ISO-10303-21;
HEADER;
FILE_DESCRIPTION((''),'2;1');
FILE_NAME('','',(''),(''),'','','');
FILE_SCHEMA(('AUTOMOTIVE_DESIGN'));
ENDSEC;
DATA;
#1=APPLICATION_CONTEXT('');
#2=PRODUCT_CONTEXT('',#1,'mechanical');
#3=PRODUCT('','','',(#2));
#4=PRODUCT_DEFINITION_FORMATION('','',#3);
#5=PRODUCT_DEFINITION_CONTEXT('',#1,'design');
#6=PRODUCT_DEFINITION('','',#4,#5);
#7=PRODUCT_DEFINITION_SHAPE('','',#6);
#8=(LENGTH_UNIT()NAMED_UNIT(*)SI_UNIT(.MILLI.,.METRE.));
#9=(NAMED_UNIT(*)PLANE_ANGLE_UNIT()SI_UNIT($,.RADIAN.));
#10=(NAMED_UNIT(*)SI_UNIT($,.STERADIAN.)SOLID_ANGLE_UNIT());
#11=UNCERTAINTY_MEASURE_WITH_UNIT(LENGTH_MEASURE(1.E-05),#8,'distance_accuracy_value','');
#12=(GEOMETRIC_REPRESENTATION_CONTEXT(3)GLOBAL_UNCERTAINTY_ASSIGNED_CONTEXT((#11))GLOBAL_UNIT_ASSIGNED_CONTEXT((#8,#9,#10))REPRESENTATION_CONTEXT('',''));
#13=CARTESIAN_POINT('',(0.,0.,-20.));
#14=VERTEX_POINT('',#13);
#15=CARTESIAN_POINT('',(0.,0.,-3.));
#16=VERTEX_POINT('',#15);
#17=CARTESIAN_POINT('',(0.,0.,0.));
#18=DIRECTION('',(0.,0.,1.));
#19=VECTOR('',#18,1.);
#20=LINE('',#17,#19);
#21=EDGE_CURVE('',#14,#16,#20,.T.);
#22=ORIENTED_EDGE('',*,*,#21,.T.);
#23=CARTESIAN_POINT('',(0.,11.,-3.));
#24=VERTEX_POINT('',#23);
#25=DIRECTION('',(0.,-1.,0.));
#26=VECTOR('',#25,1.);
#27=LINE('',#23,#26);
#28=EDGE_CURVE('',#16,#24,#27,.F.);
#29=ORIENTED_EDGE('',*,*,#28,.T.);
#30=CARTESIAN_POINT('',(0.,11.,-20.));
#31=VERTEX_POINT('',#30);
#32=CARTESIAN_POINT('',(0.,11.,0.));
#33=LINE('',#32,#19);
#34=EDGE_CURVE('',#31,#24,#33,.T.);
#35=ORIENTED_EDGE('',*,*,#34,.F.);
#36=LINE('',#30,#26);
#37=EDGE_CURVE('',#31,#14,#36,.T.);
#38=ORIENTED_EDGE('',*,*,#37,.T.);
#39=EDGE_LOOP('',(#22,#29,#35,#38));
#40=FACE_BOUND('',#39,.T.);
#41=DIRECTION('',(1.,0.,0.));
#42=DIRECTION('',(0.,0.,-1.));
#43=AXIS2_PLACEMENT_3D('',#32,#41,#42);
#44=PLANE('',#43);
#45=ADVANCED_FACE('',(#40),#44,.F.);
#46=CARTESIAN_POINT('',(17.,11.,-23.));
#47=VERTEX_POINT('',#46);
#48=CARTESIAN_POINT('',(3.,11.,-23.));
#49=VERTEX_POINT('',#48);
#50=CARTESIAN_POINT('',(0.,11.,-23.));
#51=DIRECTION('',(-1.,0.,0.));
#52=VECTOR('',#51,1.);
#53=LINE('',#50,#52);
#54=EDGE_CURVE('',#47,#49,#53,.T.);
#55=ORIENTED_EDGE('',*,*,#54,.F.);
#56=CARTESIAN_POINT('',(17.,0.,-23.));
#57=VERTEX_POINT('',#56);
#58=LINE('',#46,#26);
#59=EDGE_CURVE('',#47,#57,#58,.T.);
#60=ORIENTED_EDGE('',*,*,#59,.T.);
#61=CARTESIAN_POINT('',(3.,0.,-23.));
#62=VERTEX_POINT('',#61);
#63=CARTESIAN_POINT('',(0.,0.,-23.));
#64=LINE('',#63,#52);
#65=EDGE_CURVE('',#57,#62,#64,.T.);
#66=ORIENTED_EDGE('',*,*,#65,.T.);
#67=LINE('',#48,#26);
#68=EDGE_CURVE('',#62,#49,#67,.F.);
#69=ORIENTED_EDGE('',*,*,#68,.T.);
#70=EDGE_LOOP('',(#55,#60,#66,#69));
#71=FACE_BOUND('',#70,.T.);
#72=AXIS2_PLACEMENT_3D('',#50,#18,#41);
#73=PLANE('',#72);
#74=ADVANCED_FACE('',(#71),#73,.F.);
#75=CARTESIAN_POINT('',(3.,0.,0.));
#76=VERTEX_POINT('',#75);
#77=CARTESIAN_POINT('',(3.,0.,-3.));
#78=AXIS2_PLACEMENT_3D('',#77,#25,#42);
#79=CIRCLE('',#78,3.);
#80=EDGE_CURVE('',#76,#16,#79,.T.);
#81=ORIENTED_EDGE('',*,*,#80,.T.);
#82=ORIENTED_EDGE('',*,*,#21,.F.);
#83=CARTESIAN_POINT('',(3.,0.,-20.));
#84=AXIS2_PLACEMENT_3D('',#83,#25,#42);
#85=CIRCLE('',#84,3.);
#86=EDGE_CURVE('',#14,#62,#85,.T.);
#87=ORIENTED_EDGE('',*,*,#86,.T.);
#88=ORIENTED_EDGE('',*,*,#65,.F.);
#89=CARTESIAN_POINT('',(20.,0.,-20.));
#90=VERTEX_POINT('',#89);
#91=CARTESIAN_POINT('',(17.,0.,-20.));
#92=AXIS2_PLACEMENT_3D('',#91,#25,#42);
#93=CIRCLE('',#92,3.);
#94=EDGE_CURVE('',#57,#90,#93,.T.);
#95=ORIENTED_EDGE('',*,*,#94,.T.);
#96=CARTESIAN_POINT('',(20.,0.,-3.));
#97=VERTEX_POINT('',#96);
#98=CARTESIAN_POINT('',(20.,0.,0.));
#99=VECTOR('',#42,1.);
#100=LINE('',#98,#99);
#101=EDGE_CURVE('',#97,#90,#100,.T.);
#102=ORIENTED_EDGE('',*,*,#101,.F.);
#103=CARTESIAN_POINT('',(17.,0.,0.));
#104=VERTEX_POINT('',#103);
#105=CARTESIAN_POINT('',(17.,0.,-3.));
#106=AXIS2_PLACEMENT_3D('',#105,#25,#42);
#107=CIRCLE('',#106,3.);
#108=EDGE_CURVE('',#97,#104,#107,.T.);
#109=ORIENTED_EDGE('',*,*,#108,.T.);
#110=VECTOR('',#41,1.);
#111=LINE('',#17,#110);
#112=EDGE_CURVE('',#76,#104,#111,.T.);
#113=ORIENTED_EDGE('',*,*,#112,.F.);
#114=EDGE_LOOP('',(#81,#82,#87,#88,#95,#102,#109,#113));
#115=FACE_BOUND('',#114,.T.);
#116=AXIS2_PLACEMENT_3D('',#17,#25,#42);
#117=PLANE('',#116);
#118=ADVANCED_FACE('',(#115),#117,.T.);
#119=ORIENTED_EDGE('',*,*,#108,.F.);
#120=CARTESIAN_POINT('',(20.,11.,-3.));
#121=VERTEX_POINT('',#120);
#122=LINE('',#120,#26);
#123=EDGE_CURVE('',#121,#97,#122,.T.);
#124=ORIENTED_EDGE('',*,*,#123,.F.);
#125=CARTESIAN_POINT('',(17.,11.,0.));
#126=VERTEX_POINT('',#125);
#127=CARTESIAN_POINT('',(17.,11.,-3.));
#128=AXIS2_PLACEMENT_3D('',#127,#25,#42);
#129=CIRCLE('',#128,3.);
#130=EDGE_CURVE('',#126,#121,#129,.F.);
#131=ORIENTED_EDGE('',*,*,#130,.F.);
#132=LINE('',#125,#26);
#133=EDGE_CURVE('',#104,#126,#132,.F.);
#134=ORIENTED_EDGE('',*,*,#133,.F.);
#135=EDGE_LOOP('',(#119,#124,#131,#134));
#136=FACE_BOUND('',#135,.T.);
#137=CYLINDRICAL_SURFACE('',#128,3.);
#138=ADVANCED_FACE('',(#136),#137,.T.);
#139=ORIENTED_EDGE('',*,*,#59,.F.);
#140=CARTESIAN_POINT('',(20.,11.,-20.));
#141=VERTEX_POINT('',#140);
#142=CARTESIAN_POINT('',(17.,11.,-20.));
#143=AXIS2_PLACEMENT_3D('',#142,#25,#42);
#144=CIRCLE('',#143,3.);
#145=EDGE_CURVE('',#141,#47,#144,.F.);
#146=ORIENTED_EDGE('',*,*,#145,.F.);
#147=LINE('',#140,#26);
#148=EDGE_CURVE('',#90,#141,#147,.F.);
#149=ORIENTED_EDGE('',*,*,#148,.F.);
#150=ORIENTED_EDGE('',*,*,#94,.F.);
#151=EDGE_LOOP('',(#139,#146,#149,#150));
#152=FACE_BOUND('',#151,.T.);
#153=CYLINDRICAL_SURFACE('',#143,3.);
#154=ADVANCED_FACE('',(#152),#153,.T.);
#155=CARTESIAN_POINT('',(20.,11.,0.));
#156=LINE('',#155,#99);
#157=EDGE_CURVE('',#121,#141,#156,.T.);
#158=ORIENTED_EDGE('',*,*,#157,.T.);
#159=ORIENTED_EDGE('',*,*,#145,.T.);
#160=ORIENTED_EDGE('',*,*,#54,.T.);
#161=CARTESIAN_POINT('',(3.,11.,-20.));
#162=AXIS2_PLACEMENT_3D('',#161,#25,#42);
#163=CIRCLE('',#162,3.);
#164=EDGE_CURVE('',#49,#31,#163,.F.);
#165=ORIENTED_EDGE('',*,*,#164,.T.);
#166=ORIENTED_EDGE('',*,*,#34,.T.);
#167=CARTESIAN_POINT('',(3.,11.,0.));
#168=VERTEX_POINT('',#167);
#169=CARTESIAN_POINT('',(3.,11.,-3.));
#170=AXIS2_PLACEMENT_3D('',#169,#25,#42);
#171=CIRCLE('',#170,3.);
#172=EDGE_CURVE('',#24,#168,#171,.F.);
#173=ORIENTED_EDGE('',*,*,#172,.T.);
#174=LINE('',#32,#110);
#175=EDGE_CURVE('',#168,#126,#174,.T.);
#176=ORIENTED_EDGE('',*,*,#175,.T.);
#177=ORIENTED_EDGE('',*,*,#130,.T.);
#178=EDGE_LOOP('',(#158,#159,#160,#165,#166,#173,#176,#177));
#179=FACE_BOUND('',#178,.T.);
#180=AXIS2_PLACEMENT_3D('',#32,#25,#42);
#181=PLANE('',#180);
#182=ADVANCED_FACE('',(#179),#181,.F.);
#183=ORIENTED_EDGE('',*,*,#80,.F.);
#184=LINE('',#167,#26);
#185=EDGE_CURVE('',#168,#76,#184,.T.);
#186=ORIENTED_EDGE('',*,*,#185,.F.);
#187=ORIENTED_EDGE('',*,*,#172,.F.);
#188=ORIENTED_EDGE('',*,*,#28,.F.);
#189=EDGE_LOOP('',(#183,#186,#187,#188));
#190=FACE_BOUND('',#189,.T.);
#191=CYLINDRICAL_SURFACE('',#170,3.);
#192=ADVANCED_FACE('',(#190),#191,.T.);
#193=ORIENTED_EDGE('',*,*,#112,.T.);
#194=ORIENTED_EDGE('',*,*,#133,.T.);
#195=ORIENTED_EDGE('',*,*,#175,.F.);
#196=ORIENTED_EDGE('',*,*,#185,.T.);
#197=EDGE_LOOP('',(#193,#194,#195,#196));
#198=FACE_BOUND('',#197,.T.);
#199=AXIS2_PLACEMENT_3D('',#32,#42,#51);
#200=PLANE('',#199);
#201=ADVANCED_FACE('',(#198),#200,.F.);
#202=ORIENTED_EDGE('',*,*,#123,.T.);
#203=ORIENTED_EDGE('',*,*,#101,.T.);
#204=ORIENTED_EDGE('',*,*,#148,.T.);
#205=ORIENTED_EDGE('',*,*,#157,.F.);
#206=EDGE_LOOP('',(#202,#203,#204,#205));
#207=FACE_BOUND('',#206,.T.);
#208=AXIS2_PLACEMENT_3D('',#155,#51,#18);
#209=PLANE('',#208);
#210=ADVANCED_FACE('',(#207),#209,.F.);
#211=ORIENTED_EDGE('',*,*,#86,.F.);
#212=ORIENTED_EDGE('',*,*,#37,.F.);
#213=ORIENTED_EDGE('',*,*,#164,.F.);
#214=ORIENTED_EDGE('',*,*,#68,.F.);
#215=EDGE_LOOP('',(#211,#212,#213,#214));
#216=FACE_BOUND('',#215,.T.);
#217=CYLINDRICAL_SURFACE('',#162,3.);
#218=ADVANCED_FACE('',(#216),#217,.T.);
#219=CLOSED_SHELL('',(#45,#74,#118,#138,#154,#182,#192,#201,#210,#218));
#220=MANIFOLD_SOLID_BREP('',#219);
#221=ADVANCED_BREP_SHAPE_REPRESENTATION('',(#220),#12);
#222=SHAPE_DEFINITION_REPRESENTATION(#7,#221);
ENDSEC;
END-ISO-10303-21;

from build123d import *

# Parameters (mm, degrees)
SKETCH1_W           = 20
SKETCH1_H           = 23
BOSS_EXTRUDE1_DEPTH = 11
FILLET1_R           = 3


with BuildPart() as part:
    # Sketch1 → Boss-Extrude1 (new body)
    with BuildSketch(Plane(origin=(0, 0, 0), x_dir=(1, 0, 0), z_dir=(0, 1, 0))):
        with Locations((10, 11.5)):
            Rectangle(SKETCH1_W, SKETCH1_H)
    extrude(amount=BOSS_EXTRUDE1_DEPTH)

    # Fillet1
    fillet1_edges = [part.edges().sort_by_distance(p)[0] for p in [
        (0, 5.5, -23),
        (20, 5.5, -23),
        (20, 5.5, 0),
        (0, 5.5, 0),
    ]]
    fillet(fillet1_edges, radius=FILLET1_R)


solid = part.part
